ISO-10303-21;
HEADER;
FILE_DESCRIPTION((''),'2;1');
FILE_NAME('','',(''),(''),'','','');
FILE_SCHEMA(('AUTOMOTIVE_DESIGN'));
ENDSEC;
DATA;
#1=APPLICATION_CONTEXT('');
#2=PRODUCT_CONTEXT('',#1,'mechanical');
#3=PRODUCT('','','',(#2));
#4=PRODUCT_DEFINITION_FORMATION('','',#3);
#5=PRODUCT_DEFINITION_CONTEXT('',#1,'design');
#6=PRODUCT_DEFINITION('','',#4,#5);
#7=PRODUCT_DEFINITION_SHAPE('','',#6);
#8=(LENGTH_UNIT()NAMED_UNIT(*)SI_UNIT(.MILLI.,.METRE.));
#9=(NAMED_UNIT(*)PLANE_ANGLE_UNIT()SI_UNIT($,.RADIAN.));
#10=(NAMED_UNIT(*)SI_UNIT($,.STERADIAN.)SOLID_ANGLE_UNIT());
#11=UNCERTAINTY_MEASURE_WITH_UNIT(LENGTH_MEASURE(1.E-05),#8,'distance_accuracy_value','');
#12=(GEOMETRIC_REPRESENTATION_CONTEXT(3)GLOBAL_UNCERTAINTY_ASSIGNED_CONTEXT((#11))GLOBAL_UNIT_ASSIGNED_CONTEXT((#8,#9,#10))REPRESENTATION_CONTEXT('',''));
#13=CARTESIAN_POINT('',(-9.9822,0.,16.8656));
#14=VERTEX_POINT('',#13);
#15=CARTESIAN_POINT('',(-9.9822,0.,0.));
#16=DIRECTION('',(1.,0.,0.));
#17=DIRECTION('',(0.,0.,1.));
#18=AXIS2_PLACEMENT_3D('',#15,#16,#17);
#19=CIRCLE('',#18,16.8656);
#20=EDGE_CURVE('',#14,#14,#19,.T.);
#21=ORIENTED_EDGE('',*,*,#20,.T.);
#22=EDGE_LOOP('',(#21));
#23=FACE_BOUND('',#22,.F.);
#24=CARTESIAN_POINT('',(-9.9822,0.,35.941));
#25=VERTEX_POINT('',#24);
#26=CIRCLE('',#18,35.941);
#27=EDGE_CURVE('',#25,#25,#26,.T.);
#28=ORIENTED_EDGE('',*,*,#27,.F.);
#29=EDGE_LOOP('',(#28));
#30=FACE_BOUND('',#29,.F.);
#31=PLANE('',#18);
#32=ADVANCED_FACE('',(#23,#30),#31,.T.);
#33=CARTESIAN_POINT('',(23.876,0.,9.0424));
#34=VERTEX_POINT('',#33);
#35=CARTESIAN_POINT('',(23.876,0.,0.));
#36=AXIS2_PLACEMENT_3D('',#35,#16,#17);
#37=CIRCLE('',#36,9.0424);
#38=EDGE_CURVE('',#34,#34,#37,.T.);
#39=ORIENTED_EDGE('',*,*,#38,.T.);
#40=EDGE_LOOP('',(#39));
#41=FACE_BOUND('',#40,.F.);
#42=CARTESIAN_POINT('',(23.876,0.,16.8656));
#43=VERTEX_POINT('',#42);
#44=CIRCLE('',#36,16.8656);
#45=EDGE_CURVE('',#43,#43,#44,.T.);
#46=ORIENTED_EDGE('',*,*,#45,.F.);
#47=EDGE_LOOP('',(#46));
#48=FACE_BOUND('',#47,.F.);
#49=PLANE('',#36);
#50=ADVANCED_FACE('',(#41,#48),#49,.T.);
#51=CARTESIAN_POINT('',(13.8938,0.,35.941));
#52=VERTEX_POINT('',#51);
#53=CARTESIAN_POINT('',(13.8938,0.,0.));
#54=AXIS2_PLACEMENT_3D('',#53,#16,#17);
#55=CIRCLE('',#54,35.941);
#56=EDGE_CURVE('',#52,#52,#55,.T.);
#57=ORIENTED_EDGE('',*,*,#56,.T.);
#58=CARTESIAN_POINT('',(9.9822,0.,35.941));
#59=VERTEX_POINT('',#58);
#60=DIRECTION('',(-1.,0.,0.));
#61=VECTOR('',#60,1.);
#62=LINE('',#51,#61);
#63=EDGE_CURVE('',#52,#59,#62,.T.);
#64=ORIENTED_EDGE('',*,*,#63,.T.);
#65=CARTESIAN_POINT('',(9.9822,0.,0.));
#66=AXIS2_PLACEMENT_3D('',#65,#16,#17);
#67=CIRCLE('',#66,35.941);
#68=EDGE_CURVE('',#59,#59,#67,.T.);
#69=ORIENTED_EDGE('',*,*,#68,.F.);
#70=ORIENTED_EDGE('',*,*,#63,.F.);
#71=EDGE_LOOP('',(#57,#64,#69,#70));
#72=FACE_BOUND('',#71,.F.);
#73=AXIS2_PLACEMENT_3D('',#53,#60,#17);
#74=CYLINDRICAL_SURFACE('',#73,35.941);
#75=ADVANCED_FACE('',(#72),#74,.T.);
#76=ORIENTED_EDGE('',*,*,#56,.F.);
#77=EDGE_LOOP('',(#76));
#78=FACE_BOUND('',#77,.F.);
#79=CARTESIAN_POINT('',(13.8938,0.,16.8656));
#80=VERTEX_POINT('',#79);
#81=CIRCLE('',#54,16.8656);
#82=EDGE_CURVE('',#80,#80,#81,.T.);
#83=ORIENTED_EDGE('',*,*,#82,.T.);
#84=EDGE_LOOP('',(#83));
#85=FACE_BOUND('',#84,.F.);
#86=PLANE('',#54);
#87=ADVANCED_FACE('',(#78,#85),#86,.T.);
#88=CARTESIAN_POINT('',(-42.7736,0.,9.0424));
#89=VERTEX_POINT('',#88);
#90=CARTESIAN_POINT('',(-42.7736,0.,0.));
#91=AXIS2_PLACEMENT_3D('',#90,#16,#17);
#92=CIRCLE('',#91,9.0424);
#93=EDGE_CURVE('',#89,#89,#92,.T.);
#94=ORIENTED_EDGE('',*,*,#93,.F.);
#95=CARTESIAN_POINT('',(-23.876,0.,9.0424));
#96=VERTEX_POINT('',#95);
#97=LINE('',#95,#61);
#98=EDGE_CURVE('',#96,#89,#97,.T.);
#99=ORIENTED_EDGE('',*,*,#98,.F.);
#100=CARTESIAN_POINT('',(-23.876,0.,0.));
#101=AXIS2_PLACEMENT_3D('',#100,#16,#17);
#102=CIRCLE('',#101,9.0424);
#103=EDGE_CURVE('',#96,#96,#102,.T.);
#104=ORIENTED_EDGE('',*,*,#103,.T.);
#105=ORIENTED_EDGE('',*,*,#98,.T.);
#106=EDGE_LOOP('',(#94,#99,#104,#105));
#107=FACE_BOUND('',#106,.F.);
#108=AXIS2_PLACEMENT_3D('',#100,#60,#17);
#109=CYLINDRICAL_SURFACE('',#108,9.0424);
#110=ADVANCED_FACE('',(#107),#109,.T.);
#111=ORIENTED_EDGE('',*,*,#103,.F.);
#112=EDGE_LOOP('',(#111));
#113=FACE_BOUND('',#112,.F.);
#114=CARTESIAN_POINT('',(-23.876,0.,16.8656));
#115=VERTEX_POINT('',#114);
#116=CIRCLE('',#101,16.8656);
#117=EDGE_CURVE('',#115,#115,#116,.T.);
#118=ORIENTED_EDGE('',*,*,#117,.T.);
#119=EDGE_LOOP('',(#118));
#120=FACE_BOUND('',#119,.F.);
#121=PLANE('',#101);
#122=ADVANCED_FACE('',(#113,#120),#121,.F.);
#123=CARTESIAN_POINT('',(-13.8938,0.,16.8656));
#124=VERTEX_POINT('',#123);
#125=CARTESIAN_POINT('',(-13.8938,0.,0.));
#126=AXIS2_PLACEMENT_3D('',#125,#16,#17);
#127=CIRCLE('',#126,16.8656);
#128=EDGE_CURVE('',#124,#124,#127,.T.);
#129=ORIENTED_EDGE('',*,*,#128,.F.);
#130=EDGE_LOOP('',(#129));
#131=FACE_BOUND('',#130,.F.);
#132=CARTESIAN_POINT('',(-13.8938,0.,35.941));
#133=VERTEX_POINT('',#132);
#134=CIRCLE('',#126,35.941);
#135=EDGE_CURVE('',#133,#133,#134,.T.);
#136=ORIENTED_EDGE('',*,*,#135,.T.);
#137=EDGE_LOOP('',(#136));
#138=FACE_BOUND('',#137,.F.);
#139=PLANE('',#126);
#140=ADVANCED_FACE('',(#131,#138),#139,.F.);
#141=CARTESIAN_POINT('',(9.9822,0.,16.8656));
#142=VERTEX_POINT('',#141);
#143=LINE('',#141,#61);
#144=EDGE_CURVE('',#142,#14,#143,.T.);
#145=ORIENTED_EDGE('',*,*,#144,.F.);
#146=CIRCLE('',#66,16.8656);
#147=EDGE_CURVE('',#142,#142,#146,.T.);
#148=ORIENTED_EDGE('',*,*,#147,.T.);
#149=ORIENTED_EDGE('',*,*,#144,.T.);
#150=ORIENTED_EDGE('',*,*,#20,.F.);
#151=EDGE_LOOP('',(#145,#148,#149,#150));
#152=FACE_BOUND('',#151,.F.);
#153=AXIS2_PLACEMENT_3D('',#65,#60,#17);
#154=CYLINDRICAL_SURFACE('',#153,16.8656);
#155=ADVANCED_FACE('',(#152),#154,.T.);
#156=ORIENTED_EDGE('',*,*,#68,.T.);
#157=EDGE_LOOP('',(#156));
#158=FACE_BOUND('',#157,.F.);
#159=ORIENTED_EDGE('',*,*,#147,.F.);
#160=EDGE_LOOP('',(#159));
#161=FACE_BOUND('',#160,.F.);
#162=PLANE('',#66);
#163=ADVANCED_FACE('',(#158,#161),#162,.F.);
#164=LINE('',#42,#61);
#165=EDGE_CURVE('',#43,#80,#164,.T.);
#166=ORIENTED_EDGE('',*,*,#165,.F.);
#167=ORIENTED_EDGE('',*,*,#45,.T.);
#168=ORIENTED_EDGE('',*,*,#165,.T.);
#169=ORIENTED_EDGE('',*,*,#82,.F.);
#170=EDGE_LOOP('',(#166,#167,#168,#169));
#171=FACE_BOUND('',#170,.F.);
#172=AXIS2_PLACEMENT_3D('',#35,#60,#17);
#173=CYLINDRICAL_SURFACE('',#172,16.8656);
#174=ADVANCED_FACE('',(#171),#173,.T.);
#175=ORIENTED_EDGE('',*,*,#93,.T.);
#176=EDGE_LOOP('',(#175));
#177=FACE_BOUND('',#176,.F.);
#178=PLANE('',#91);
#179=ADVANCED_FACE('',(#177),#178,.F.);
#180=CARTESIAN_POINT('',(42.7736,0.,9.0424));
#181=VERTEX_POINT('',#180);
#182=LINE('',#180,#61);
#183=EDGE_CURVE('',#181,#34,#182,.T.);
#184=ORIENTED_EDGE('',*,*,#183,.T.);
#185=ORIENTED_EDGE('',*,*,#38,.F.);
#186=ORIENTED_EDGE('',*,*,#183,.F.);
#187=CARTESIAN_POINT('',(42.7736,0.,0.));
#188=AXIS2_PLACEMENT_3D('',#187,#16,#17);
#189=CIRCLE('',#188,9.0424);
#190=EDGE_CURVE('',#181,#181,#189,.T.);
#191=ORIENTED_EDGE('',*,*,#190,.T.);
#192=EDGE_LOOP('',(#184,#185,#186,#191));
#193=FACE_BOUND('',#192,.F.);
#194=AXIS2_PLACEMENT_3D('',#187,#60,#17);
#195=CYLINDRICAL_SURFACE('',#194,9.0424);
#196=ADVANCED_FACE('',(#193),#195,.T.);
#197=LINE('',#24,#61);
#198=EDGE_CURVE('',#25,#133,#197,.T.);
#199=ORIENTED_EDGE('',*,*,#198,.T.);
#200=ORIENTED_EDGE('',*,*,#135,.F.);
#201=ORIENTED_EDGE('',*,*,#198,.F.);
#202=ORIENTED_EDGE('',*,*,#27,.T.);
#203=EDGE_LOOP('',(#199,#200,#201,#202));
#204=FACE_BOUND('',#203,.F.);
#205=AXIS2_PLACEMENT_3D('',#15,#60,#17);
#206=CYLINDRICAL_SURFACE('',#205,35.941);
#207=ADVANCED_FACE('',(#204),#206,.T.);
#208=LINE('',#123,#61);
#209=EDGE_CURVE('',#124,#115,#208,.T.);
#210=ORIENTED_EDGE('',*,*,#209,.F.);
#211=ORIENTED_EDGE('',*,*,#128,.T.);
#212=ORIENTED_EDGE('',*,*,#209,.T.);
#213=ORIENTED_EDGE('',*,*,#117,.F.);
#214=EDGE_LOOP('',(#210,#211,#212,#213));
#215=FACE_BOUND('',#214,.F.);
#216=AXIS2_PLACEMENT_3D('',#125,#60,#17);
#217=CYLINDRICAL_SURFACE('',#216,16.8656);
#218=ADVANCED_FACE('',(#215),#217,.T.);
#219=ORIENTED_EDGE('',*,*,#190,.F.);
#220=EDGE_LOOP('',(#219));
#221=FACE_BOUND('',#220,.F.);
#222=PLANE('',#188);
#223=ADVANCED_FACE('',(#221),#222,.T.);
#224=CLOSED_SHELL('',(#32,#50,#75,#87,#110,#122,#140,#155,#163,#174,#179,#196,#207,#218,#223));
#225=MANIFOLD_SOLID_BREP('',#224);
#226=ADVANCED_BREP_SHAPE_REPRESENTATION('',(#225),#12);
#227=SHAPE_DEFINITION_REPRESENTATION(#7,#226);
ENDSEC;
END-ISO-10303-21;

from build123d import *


with BuildPart() as f1:
    # F0 (on Front) → F1 (revolve)
    with BuildSketch(Plane.XZ):
        Polygon((-42.7736, 0), (0, 0), (0, 16.8656), (-9.9822, 16.8656), (-9.9822, 35.941), (-13.8938, 35.941), (-13.8938, 16.8656), (-23.876, 16.8656), (-23.876, 9.0424), (-42.7736, 9.0424), align=None)
        Polygon((0, 16.8656), (0, 0), (42.7736, 0), (42.7736, 9.0424), (23.876, 9.0424), (23.876, 16.8656), (13.8938, 16.8656), (13.8938, 35.941), (9.9822, 35.941), (9.9822, 16.8656), align=None)
    revolve(axis=Axis((-21.3868, 0, 0), (1, 0, 0)))


solid = f1.part
